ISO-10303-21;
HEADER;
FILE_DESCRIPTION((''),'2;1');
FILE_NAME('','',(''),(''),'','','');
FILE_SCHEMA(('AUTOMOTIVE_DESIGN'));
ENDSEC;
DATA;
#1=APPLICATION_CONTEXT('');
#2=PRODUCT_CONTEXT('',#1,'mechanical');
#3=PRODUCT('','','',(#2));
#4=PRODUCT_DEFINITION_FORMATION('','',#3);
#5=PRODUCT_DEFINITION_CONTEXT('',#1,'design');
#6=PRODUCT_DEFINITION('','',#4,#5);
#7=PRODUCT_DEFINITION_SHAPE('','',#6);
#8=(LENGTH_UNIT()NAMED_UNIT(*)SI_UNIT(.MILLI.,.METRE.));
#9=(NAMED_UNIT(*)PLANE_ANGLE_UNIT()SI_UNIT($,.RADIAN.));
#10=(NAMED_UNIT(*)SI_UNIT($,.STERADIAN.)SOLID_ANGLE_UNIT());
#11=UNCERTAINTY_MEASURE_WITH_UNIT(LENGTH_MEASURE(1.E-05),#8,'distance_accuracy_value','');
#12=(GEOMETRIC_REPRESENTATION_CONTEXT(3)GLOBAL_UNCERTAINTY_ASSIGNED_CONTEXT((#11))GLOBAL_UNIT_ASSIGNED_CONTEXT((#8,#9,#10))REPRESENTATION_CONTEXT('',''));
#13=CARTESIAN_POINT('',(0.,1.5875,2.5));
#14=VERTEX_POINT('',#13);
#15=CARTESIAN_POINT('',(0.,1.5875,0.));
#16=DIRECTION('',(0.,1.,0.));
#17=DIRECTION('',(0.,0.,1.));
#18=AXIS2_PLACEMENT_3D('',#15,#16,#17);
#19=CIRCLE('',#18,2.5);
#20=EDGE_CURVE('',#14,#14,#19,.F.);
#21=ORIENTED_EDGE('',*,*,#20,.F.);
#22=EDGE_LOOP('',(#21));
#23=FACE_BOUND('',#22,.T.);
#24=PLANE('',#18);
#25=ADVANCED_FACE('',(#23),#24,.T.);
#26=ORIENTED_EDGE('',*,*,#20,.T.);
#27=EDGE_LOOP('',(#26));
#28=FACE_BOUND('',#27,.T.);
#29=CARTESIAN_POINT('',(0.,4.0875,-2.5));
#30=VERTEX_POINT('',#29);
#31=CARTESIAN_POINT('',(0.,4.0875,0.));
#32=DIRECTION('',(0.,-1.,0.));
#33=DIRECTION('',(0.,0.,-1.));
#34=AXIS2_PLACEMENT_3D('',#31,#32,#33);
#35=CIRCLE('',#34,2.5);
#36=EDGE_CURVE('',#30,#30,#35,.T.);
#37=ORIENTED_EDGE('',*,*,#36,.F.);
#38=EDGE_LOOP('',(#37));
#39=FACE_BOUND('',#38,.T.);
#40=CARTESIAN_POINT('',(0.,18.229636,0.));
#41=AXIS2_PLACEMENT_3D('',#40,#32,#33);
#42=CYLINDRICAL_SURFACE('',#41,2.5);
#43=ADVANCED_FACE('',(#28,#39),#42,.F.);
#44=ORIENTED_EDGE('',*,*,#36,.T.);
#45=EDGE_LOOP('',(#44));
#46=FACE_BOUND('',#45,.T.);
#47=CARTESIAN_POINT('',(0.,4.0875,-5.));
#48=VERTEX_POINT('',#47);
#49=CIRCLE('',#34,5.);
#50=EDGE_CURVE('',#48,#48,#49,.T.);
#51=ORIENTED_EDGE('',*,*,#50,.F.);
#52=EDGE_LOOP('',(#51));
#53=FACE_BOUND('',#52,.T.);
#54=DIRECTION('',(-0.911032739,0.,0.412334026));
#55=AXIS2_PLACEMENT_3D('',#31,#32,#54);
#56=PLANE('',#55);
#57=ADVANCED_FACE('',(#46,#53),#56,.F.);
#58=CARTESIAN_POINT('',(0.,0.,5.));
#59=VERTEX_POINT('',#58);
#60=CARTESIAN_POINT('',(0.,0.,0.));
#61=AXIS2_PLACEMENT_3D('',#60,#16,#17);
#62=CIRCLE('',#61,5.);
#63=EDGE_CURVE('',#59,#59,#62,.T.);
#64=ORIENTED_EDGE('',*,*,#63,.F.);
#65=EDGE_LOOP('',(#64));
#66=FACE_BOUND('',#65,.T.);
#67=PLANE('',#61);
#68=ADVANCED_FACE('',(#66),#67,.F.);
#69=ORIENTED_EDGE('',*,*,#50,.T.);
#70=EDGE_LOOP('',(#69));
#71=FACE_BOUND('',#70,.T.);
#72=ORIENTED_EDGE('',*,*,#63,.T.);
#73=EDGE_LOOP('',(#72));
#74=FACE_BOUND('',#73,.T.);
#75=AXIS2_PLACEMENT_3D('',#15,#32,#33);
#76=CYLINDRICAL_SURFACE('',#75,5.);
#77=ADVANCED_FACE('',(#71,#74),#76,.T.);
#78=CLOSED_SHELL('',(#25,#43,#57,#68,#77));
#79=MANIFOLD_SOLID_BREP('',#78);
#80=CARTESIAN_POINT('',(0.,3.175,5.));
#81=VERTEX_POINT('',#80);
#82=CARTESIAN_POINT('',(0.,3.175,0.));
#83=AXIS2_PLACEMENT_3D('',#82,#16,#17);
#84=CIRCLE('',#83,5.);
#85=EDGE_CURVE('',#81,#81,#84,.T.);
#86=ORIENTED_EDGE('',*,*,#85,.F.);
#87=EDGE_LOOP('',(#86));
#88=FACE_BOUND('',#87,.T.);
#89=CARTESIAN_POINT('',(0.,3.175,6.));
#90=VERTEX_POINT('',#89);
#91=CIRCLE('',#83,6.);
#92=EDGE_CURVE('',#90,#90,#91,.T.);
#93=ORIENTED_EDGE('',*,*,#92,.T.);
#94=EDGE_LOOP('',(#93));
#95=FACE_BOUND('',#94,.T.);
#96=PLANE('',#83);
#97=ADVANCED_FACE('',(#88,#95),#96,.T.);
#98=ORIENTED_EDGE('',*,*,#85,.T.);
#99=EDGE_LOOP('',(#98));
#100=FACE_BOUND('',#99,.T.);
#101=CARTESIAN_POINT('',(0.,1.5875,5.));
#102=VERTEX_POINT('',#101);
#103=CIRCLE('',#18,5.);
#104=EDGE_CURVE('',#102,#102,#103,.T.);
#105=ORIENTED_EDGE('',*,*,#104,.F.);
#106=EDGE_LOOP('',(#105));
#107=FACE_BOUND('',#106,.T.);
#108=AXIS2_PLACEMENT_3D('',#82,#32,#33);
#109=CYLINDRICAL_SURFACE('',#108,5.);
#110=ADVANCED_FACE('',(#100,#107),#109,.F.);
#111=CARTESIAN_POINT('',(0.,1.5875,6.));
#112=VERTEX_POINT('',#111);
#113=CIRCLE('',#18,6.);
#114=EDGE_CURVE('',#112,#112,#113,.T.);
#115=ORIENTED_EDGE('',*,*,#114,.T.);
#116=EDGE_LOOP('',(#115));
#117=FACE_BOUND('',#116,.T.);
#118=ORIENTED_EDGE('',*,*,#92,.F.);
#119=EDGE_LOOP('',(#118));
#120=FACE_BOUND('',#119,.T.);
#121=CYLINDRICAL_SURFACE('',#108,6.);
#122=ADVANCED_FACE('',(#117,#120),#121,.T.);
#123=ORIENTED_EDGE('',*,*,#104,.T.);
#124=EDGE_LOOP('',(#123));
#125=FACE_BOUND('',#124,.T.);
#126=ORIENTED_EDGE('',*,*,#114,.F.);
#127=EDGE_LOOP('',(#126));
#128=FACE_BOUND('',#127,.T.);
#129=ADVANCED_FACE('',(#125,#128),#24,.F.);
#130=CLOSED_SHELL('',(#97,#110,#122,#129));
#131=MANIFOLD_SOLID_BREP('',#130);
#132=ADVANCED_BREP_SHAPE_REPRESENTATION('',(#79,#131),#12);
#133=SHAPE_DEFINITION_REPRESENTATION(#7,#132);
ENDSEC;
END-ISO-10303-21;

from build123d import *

# Parameters (mm, degrees)
SKETCH1_R           = 5
BOSS_EXTRUDE1_DEPTH = 1.5875
SKETCH4_R           = 6
SKETCH4_R_2         = 5
BOSS_EXTRUDE4_DEPTH = 1.5875
SKETCH2_R           = 5
SKETCH2_R_2         = 2.5
BOSS_EXTRUDE2_DEPTH = 2.5


with BuildPart() as part:
    # Sketch1 → Boss-Extrude1 (new body)
    with BuildSketch(Plane(origin=(0, 0, 0), x_dir=(1, 0, 0), z_dir=(0, 1, 0))):
        Circle(SKETCH1_R)
    extrude(amount=BOSS_EXTRUDE1_DEPTH)

    # Sketch2 → Boss-Extrude2 (add)
    with BuildSketch(Plane(origin=(0, 1.5875, 0), x_dir=(1, 0, 0), z_dir=(0, 1, 0))):
        Circle(SKETCH2_R)
        Circle(SKETCH2_R_2, mode=Mode.SUBTRACT)
    extrude(amount=BOSS_EXTRUDE2_DEPTH)


with BuildPart() as body_2:
    # Sketch4 → Boss-Extrude4 (new body)
    with BuildSketch(Plane(origin=(0, 1.5875, 0), x_dir=(1, 0, 0), z_dir=(0, 1, 0))):
        Circle(SKETCH4_R)
        Circle(SKETCH4_R_2, mode=Mode.SUBTRACT)
    extrude(amount=BOSS_EXTRUDE4_DEPTH)


solid = Compound([part.part, body_2.part])
